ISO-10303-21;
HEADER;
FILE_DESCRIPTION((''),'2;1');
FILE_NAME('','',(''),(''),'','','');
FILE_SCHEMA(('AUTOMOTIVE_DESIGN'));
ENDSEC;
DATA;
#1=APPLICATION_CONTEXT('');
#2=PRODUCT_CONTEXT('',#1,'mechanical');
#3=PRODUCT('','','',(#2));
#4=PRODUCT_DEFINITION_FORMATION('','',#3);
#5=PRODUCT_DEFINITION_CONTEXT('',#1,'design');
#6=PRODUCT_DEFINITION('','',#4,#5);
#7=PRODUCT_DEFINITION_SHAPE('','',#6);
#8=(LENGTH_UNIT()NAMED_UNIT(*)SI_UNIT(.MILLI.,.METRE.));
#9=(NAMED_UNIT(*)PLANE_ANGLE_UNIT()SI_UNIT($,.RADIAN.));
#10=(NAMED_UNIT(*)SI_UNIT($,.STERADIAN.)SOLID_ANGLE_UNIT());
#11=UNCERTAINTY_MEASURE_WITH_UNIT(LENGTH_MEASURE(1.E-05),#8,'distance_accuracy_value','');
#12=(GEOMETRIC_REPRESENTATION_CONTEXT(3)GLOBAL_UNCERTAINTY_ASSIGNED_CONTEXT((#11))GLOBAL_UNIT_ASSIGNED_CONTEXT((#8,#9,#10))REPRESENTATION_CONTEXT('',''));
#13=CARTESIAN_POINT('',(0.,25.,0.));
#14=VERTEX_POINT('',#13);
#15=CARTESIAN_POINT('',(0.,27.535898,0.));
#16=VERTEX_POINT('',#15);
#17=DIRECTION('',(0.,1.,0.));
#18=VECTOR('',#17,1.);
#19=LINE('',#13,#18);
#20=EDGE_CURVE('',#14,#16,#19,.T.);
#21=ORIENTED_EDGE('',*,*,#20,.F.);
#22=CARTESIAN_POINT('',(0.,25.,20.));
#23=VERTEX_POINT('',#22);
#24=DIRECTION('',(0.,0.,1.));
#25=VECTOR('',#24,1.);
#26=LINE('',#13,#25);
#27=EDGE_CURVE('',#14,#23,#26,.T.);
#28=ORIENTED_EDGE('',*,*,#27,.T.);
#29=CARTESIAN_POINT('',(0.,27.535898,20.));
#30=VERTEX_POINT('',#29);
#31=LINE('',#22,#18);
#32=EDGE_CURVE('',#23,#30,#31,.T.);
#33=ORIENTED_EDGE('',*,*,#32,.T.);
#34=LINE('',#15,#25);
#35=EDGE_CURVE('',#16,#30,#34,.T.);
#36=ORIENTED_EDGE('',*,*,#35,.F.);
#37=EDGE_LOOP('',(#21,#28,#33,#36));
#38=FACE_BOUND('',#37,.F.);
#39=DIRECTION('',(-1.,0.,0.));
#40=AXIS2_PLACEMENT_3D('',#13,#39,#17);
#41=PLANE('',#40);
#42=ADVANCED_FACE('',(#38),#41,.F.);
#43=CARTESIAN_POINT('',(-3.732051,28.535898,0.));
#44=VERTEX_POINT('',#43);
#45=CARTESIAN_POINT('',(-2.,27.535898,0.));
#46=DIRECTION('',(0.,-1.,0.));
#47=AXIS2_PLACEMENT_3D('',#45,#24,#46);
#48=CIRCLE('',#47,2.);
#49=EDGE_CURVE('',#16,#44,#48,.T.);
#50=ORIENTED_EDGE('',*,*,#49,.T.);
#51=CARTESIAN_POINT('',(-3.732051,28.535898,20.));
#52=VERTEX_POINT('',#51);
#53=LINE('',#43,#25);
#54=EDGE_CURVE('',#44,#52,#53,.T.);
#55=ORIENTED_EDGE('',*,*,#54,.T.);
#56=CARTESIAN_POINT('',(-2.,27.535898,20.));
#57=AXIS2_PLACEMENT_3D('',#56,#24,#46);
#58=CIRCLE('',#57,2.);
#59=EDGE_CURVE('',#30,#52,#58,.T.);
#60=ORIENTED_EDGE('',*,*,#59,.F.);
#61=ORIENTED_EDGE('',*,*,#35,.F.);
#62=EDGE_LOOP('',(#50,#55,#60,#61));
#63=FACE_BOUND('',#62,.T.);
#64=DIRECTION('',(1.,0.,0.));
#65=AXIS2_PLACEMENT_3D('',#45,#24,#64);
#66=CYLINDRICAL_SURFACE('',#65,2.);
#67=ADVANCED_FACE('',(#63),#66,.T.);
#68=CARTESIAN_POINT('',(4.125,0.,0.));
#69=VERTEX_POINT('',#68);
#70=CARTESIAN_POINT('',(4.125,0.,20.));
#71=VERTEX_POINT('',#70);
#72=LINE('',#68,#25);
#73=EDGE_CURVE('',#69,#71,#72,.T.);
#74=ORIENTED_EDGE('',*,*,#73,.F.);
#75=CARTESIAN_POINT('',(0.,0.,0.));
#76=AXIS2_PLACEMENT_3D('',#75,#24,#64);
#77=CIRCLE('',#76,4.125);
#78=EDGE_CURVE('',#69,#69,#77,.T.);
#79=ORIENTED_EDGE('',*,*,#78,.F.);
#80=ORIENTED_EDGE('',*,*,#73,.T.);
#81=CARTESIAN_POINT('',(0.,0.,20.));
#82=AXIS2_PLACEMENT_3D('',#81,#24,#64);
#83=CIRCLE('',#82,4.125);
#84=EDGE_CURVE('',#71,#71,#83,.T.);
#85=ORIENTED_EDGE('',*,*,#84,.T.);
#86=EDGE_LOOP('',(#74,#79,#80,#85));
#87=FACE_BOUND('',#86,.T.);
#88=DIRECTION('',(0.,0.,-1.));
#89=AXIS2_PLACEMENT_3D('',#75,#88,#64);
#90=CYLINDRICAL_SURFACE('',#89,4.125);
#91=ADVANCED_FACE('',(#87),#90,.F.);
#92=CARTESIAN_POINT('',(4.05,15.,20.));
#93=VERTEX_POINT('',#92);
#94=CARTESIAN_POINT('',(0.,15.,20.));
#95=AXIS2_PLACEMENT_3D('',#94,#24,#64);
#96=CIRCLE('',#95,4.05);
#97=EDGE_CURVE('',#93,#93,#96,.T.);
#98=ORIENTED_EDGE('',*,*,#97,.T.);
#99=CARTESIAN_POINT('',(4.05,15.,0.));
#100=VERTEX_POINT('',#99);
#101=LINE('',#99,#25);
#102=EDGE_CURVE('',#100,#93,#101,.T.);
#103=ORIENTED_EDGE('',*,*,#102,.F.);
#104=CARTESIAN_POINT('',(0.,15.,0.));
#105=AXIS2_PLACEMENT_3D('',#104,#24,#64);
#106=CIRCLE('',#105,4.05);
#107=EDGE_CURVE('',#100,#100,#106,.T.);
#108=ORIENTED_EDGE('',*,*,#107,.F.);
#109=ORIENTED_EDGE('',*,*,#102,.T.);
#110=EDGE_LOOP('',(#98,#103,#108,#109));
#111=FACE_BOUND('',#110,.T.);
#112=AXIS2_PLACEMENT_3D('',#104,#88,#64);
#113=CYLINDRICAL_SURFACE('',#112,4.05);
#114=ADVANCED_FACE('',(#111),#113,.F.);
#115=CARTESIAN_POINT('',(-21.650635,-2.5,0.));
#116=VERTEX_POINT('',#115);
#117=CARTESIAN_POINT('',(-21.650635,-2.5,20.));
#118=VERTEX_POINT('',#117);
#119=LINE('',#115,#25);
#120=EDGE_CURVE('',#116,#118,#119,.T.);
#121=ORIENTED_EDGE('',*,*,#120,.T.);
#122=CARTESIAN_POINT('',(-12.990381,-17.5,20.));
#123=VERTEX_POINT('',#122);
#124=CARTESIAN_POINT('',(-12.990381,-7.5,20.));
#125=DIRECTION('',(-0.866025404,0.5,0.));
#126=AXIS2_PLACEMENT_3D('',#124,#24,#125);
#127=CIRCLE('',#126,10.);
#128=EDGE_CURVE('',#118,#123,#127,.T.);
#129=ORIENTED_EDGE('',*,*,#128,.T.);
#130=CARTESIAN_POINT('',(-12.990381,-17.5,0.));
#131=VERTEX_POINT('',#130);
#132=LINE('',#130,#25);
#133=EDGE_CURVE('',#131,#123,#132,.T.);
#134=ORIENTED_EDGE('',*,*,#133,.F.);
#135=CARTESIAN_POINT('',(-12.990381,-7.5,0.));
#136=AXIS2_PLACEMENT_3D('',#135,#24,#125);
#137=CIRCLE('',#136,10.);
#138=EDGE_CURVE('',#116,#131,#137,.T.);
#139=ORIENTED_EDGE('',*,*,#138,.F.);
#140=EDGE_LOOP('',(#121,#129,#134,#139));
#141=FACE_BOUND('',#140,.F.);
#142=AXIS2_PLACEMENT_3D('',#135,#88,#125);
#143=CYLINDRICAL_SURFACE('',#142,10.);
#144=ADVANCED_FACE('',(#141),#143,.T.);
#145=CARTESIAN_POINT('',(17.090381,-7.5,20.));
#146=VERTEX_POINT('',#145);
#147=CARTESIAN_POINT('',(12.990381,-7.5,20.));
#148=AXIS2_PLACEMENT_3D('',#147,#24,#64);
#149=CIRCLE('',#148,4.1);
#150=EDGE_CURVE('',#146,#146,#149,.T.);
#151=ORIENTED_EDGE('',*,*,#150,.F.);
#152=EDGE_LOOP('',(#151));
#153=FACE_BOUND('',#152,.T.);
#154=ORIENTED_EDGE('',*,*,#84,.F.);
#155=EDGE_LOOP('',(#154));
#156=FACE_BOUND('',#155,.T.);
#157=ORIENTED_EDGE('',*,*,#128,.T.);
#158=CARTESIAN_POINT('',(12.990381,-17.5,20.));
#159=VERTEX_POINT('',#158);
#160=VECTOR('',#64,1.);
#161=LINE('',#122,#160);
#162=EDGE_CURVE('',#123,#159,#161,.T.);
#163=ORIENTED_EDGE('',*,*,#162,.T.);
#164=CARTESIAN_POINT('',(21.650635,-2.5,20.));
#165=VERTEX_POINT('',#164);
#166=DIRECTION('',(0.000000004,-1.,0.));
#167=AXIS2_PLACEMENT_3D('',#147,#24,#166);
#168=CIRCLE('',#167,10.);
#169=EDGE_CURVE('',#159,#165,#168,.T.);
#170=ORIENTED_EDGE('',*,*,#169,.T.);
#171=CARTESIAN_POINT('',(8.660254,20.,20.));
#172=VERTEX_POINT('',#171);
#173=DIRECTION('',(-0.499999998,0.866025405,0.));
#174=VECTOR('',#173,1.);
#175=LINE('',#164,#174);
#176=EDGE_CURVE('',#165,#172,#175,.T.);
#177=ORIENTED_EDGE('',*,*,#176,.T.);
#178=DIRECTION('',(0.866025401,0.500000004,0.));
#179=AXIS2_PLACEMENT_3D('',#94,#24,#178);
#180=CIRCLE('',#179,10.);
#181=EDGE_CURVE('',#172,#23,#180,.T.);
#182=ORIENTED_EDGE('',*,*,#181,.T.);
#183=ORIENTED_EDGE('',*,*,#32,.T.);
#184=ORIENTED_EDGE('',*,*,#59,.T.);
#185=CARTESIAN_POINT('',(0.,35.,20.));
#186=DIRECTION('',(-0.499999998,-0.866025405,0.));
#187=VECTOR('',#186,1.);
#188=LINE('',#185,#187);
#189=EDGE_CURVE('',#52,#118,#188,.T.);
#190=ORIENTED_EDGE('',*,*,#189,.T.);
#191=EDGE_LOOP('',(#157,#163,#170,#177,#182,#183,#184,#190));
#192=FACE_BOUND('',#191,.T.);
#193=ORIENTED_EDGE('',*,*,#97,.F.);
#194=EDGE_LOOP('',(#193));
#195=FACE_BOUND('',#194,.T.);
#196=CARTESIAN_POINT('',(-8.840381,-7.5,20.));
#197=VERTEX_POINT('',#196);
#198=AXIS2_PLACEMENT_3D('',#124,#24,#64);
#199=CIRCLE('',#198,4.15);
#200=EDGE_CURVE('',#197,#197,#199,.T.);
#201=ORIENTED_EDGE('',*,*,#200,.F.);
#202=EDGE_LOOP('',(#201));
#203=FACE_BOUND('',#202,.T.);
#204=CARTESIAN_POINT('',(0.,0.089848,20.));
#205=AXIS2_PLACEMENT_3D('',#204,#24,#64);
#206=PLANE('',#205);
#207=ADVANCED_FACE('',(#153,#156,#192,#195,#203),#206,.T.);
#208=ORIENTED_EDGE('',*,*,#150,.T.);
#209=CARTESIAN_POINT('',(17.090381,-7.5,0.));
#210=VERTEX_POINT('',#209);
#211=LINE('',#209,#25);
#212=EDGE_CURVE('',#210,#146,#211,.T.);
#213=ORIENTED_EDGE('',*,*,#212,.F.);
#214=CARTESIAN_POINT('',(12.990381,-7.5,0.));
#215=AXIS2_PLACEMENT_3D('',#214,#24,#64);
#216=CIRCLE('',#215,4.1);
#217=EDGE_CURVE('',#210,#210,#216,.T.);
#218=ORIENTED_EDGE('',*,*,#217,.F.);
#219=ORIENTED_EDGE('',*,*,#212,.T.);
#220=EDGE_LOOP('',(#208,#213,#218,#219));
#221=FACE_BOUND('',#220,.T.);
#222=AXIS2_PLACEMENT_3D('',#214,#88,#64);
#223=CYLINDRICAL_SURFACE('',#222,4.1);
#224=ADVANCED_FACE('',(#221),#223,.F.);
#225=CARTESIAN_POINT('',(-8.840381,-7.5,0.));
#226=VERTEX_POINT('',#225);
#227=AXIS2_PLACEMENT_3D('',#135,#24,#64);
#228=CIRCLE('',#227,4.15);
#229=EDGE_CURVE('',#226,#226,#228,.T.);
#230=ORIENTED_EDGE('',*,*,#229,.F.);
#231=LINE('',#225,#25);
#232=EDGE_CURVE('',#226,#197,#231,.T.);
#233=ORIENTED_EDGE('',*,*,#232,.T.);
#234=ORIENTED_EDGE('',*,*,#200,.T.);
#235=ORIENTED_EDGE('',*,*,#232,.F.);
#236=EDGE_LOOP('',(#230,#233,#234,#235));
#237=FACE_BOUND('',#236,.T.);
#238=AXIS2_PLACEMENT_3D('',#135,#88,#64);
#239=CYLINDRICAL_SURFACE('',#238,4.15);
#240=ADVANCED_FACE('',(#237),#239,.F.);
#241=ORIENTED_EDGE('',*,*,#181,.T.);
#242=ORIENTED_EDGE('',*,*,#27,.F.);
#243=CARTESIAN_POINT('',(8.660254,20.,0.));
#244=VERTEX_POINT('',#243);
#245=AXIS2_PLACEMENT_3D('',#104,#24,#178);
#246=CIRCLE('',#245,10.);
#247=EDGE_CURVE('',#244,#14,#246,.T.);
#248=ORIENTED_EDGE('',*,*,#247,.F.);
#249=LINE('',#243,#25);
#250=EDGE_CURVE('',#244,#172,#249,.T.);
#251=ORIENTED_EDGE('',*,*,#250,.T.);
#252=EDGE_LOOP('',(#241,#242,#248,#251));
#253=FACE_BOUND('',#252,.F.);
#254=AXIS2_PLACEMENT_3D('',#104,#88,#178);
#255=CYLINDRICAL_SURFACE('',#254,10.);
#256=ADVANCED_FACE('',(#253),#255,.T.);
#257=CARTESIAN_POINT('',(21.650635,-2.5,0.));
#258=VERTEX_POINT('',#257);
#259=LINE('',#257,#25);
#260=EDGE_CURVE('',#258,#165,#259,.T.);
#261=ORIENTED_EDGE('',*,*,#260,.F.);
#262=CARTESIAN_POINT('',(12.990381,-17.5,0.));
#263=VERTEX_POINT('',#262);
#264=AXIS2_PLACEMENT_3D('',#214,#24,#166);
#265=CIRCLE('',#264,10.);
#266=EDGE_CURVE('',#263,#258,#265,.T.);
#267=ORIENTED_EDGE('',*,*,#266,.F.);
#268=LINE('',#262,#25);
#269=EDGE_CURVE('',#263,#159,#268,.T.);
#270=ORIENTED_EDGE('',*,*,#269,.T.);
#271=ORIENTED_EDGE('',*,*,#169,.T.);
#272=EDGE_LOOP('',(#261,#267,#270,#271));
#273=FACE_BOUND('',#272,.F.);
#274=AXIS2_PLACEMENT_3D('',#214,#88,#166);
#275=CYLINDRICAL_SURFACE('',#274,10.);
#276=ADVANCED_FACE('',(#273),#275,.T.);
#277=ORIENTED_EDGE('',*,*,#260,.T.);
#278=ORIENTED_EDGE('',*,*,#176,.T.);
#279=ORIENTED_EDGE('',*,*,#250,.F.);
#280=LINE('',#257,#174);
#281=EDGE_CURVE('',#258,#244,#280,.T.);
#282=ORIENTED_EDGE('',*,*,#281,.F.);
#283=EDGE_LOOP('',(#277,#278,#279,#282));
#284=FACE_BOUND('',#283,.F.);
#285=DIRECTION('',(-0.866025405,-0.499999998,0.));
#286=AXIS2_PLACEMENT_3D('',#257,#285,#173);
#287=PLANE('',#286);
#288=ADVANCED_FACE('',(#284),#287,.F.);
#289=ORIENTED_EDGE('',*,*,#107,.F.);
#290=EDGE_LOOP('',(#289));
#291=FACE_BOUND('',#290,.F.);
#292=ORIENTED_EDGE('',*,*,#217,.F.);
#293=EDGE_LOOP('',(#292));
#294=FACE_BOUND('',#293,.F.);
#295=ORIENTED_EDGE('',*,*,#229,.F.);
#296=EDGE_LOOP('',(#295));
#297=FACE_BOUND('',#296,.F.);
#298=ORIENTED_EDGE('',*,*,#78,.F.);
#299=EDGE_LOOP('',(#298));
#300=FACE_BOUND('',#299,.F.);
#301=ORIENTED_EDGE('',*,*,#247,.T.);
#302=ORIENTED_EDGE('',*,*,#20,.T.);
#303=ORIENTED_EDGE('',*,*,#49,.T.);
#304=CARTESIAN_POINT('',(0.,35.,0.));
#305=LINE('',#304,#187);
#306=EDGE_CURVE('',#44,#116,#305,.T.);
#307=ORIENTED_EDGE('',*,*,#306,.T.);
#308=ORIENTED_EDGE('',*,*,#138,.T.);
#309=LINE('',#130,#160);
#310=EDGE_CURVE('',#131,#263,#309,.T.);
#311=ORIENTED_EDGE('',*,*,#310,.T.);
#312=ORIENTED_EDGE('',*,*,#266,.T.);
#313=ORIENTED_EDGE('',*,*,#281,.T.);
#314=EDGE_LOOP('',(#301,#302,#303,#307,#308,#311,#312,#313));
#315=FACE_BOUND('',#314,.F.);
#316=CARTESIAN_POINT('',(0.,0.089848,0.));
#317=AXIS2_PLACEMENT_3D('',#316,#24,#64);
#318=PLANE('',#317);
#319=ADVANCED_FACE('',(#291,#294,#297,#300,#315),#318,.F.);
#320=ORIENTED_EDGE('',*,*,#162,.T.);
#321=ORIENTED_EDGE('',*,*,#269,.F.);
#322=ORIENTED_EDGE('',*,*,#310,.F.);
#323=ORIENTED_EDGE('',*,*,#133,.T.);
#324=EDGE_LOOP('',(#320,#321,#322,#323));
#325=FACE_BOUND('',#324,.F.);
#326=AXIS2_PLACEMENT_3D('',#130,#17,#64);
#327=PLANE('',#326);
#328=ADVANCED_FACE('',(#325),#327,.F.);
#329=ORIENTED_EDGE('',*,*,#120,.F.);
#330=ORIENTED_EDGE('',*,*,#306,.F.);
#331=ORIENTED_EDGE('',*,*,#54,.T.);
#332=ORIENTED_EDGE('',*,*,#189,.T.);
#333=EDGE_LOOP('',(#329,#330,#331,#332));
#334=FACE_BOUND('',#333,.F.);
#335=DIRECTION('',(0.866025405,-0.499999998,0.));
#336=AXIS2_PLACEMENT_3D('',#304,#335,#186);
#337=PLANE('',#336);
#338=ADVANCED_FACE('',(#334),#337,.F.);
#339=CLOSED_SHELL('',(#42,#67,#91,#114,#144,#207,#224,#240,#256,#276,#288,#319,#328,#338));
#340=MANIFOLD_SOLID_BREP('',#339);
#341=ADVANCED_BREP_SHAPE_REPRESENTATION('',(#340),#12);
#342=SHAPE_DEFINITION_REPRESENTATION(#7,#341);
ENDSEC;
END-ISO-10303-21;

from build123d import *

# Parameters (mm, degrees)
F0_R     = 4.15
F0_R_2   = 4.1
F0_R_3   = 4.125
F0_R_4   = 4.05
F1_DEPTH = 20
F2_R     = 2


with BuildPart() as f1:
    # F0 (on Top) → F1 (new body)
    with BuildSketch(Plane.XY):
        with BuildLine():
            ThreePointArc((0, 25), (-5, 23.660254), (-8.660254, 20))
            Line((-8.660254, 20), (-21.650635, -2.5))
            ThreePointArc((-21.650635, -2.5), (-21.650635, -12.5), (-12.990381, -17.5))
            Line((-12.990381, -17.5), (12.990381, -17.5))
            ThreePointArc((12.990381, -17.5), (21.650635, -12.5), (21.650635, -2.5))
            Line((21.650635, -2.5), (8.660254, 20))
            ThreePointArc((8.660254, 20), (5, 23.660254), (0, 25))
        make_face()
        with Locations((-12.990381, -7.5)):
            Circle(F0_R, mode=Mode.SUBTRACT)
        with Locations((12.990381, -7.5)):
            Circle(F0_R_2, mode=Mode.SUBTRACT)
        Circle(F0_R_3, mode=Mode.SUBTRACT)
        with Locations((0, 15)):
            Circle(F0_R_4, mode=Mode.SUBTRACT)
        with BuildLine():
            Line((0, 35), (-8.660254, 20))
            ThreePointArc((-8.660254, 20), (-5, 23.660254), (0, 25))
            Line((0, 25), (0, 35))
        make_face()
    extrude(amount=F1_DEPTH)

    # F2
    f2_edges = [f1.edges().sort_by_distance(p)[0] for p in [
        (0, 35, 10),
    ]]
    fillet(f2_edges, radius=F2_R)


solid = f1.part
